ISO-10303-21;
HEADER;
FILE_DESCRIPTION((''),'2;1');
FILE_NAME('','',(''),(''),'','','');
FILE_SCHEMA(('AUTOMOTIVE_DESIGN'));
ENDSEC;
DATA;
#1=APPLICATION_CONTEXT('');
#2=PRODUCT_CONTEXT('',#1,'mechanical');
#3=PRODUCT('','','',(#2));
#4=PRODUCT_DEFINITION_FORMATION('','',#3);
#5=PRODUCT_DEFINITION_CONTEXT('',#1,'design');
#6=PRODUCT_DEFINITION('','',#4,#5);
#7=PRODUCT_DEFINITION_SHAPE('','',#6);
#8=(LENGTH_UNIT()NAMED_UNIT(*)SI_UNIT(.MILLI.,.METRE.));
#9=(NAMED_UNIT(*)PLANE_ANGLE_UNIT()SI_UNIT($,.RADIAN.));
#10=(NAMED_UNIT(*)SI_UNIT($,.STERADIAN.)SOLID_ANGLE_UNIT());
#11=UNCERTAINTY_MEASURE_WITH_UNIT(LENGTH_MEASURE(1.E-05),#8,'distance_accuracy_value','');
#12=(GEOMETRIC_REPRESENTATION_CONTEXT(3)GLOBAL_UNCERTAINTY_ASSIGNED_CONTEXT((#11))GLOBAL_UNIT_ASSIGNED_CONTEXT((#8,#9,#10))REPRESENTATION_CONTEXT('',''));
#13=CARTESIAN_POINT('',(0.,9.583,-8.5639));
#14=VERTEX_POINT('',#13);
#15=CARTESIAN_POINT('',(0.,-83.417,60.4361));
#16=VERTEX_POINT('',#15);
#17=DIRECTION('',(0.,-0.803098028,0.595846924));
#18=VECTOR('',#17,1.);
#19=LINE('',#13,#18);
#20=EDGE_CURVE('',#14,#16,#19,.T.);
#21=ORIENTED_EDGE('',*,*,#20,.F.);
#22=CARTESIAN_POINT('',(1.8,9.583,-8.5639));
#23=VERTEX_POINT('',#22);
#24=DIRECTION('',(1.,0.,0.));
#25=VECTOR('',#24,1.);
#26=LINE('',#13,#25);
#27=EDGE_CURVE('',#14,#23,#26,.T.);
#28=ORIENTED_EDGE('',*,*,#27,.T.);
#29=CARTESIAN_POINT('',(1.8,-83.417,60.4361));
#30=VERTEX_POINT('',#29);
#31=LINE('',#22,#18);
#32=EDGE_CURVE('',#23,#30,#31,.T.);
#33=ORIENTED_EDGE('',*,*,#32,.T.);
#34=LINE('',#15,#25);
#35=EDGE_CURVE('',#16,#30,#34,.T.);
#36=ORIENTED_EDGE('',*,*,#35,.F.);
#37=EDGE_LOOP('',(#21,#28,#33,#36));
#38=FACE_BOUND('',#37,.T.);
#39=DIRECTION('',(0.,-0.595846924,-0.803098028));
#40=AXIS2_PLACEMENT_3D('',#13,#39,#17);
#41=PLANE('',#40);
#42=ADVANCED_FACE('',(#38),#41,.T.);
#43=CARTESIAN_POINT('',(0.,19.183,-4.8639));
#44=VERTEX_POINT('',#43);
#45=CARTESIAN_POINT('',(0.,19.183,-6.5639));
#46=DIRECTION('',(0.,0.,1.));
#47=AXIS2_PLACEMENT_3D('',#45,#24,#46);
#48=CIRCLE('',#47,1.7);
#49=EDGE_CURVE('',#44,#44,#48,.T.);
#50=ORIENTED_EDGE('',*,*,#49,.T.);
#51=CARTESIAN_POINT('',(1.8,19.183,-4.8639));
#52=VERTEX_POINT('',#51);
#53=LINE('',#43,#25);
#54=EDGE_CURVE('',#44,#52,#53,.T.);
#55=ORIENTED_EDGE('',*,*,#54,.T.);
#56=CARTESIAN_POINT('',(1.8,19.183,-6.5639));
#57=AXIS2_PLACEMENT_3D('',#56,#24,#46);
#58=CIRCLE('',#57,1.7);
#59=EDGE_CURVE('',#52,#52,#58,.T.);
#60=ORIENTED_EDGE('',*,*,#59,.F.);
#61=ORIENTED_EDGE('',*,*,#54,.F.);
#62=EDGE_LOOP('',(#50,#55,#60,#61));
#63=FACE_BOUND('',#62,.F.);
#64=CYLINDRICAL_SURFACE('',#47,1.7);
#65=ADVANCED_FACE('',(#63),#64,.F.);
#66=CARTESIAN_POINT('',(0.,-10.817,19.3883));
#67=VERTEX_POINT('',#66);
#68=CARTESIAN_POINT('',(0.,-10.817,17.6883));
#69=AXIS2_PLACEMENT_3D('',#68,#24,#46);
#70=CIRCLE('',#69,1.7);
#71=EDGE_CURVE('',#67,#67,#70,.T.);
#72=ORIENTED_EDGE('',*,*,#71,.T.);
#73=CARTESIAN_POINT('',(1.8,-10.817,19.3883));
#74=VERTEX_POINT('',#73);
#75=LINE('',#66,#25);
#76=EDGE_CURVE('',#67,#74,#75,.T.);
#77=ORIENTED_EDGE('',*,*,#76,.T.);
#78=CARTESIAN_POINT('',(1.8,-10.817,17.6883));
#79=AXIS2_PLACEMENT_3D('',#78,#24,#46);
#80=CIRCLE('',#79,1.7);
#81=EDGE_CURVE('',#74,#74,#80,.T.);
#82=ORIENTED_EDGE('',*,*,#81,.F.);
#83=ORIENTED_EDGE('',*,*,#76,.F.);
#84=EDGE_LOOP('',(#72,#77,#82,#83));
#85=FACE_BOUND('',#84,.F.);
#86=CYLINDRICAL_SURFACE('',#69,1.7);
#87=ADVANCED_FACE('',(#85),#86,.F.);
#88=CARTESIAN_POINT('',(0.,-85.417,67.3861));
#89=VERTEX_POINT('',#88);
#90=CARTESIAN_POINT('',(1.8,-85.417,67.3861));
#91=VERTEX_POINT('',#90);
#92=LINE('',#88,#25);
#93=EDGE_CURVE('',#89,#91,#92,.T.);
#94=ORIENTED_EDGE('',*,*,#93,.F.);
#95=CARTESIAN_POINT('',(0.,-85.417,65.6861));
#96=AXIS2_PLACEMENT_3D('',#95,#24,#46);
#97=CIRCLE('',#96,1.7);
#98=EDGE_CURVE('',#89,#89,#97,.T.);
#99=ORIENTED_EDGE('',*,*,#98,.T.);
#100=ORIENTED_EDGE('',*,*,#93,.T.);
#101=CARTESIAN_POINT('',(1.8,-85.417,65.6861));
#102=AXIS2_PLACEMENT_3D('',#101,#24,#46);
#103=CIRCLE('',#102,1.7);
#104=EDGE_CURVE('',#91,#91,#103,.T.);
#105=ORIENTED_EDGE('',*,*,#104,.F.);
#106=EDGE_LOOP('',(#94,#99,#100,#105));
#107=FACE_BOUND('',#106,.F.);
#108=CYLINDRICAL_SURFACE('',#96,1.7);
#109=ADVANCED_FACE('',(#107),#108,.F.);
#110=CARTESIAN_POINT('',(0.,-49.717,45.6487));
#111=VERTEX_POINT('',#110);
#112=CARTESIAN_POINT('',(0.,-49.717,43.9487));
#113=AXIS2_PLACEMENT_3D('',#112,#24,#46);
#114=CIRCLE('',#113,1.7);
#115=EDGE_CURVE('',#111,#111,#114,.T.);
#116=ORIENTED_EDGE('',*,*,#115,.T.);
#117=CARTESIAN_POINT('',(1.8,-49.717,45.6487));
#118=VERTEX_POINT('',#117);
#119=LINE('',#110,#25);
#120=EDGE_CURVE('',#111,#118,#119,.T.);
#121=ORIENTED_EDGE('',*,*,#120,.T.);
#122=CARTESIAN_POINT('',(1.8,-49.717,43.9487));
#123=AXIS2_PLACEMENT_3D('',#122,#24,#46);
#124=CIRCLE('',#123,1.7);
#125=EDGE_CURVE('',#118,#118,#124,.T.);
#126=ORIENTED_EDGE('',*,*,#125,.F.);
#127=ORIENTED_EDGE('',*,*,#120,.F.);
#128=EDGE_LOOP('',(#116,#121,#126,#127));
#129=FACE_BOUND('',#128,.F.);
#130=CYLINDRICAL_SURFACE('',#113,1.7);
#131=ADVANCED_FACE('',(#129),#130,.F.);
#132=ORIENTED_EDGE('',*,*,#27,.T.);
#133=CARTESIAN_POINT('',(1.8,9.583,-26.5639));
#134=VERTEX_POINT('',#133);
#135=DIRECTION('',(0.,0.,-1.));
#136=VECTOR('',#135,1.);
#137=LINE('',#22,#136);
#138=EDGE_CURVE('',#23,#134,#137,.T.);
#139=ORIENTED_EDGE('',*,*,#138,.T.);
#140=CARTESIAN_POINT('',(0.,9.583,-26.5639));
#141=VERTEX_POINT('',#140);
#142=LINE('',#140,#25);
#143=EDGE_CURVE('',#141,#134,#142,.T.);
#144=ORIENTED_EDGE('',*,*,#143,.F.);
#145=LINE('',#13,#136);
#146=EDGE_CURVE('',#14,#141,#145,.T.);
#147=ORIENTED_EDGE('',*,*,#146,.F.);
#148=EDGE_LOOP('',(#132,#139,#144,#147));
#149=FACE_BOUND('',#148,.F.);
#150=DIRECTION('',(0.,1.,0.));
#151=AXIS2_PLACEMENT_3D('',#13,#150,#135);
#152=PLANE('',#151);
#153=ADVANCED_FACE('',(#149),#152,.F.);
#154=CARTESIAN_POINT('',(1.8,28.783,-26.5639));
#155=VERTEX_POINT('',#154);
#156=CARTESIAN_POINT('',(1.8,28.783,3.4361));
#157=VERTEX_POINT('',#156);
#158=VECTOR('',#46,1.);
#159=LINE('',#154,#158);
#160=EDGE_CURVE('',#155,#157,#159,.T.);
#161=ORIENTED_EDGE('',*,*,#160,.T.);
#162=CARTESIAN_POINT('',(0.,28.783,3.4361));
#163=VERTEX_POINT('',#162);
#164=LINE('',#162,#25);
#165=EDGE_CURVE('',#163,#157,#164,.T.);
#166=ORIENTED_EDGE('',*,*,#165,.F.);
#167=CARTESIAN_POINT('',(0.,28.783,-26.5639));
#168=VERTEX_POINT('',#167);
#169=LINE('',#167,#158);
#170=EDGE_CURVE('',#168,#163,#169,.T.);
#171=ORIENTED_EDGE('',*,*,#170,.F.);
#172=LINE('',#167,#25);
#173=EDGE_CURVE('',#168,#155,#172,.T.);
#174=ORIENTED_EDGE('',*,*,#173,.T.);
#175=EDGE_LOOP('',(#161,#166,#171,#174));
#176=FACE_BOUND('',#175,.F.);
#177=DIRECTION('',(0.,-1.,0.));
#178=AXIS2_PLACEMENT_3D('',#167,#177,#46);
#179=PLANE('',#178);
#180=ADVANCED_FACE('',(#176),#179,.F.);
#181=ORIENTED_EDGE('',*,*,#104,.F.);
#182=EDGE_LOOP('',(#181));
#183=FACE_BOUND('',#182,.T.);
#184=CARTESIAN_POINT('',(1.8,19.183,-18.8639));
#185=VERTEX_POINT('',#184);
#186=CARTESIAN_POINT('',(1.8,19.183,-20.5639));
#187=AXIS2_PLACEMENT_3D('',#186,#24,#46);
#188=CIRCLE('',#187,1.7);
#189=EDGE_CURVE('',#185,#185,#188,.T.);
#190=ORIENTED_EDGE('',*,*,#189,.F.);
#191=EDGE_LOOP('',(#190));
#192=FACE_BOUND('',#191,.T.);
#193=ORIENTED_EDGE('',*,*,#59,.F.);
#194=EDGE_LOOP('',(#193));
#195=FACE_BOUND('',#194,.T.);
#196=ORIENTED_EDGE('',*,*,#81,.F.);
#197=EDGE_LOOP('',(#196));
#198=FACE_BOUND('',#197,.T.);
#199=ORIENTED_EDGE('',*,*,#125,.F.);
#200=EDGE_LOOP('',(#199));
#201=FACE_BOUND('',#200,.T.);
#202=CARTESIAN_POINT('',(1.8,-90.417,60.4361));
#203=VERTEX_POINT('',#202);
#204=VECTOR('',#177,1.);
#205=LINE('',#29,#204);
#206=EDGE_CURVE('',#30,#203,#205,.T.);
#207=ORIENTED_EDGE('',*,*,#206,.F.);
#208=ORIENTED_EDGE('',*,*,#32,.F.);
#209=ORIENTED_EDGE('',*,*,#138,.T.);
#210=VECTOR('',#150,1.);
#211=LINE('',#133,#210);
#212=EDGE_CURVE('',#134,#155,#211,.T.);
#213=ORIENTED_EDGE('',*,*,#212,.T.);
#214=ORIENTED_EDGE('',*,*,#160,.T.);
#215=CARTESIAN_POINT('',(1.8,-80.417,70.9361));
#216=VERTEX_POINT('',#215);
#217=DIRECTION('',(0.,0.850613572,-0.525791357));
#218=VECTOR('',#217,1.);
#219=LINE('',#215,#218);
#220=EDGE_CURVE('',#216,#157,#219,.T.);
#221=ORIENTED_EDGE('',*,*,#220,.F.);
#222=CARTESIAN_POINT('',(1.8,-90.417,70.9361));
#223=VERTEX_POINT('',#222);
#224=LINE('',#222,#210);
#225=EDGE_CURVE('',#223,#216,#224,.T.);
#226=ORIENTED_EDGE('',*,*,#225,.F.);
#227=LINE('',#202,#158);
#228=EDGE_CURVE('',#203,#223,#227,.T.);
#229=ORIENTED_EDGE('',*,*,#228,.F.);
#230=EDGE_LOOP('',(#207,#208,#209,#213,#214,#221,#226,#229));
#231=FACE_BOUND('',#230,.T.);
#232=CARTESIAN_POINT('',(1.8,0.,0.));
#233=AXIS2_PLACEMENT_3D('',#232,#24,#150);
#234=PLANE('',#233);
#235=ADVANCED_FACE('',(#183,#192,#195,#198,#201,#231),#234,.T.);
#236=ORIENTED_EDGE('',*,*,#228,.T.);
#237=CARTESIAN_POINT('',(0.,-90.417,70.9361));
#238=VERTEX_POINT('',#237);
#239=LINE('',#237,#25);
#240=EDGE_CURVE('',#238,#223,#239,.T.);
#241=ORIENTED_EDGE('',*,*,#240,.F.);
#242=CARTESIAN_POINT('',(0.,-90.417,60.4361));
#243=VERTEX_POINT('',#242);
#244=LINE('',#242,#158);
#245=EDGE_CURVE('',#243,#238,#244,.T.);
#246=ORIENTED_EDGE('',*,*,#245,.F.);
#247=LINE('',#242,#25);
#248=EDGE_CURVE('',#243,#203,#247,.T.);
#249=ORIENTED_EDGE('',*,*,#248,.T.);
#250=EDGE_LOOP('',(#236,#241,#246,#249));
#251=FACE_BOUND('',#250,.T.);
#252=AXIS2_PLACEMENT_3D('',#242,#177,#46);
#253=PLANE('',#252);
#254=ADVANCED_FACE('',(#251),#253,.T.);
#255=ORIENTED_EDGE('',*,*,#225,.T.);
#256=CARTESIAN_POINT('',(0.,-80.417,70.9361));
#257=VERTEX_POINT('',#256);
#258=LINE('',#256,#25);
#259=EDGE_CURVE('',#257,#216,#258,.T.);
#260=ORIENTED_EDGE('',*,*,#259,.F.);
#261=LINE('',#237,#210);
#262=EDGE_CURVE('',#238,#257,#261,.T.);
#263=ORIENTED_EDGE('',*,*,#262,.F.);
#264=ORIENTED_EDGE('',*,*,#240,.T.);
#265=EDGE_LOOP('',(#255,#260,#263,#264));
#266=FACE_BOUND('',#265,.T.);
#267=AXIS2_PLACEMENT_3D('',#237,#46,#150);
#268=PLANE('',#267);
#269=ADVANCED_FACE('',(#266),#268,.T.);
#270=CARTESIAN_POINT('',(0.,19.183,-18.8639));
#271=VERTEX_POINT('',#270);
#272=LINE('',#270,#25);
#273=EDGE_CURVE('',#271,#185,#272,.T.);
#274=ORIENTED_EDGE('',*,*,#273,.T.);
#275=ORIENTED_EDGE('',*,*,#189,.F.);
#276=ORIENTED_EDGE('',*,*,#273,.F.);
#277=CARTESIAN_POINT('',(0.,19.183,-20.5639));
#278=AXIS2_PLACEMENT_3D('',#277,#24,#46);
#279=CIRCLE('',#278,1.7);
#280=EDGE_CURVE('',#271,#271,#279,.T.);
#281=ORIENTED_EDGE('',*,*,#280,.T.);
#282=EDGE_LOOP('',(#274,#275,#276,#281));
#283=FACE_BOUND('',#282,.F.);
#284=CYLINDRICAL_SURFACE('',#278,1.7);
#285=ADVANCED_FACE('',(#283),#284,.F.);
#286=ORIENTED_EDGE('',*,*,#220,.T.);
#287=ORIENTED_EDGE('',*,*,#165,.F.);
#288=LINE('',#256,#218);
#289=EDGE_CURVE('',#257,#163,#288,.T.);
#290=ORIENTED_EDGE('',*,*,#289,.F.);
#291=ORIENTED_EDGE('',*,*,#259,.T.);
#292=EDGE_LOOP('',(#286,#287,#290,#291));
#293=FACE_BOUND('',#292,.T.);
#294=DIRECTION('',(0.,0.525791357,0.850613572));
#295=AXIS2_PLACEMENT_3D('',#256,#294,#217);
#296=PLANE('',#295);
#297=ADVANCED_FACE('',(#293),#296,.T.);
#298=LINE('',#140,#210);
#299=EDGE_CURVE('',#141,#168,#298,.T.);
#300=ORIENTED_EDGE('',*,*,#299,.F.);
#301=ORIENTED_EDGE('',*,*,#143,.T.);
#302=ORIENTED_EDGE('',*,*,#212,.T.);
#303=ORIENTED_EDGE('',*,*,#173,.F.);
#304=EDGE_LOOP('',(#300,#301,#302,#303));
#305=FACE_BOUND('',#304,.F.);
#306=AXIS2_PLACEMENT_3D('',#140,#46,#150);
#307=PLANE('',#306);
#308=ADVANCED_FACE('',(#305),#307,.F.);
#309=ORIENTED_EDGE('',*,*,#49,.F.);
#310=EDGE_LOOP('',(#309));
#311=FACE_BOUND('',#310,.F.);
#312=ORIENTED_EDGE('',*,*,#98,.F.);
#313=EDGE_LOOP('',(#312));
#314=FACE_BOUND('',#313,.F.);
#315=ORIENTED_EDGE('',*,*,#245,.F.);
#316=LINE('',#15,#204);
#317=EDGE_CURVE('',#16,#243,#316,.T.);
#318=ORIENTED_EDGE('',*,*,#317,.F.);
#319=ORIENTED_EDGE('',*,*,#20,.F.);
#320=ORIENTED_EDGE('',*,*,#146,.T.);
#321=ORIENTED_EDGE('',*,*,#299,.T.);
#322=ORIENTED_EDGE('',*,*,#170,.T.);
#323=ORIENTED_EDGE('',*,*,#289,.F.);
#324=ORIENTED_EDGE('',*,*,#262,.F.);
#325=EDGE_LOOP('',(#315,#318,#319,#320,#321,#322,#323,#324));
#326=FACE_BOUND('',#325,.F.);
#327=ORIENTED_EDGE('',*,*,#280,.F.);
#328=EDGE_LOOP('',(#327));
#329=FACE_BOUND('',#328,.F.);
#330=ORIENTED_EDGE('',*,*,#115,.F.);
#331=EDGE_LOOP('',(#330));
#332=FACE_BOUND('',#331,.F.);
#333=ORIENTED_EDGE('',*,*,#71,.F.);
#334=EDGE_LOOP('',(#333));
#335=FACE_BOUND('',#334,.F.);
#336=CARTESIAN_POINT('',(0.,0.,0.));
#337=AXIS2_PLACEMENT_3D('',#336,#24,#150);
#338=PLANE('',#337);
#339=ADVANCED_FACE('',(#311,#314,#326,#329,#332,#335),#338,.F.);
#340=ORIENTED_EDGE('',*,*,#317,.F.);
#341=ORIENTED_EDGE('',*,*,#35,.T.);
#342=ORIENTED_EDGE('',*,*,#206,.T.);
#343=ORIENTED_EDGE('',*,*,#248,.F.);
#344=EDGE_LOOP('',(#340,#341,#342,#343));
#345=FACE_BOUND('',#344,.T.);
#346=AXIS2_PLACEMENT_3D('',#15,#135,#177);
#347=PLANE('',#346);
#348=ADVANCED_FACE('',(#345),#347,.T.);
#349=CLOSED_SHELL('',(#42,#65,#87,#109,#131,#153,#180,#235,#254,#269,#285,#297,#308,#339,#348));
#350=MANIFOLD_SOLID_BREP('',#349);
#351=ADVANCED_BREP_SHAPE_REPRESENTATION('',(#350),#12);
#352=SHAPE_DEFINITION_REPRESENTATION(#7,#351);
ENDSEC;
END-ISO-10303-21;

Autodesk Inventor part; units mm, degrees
ref_plane "YZ Plane" through (0, 0, 0) normal (1, 0, 0) x (0, 1, 0)
ref_plane "XZ Plane" through (0, 0, 0) normal (0, 1, 0) x (-1, 0, 0)
ref_plane "XY Plane" through (0, 0, 0) normal (0, 0, 1) x (1, 0, 0)
sketch "Boceto1" plane through (0, 0, 0) normal (1, 0, 0) x (0, 1, 0)
  line L0 (9.583, -8.5639) -> (9.583, 60.4361) construction
  line L1 (9.583, -8.5639) -> (-83.417, -8.5639) construction
  line L2 (9.583, -8.5639) -> (-83.417, 60.4361)
  line L3 (-83.417, 60.4361) -> (-90.417, 60.4361)
  line L4 (-90.417, 60.4361) -> (-90.417, 70.9361)
  line L5 (-90.417, 70.9361) -> (-80.417, 70.9361)
  line L6 (9.583, -8.5639) -> (9.583, -26.5639)
  line L7 (9.583, -26.5639) -> (28.783, -26.5639)
  line L8 (28.783, -26.5639) -> (28.783, 3.4361)
  line L9 (-80.417, 70.9361) -> (28.783, 3.4361)
  line L10 (19.183, -26.5639) -> (19.183, 22.2031) construction
  line L11 (9.583, 30.9188) -> (-10.817, 30.9188) construction
  line L12 (9.583, 46.0673) -> (-49.717, 46.0673) construction
  line L13 (-90.417, 65.6861) -> (-76.0379, 65.6861) construction
  line L14 (-80.417, 70.9361) -> (-83.417, 60.4361) construction
  line L15 (28.783, 3.4361) -> (9.583, -8.5639) construction
  line L16 (-81.917, 65.6861) -> (19.183, -2.5639) construction
  point P0 (19.183, -20.5639)
  point P1 (19.183, -6.5639)
  point P2 (-85.417, 65.6861)
  point P3 (-49.717, 43.9487)
  point P4 (-10.817, 17.6883)
  dimension "d4" = 69
  dimension "d5" = 93
  dimension "d6" = 7
  dimension "d7" = 10.5
  dimension "d8" = 10
  dimension "d9" = 18
  dimension "d10" = 19.2
  dimension "d11" = 30
  dimension "d12" = 14
  dimension "d13" = 6
  dimension "d16" = 20.4
  dimension "d17" = 59.3
  dimension "d18" = 5
extrude "Extrusión1" add sketch "Boceto1" along normal blind 1.8
hole "Agujero1" at (0, 19.183, -20.5639) at (0, 19.183, -6.5639) at (0, -85.417, 65.6861) at (0, -49.717, 43.9487) at (0, -10.817, 17.6883) direction (1, 0, 0) diameter 3.4 end through all clearance for "Tornillo para maquinaria de cabeza plana" size "M3" standard "Perfil M métrico ANSI"
properties part number "pata" material "Polímero reforzado con fibra de carbono"
